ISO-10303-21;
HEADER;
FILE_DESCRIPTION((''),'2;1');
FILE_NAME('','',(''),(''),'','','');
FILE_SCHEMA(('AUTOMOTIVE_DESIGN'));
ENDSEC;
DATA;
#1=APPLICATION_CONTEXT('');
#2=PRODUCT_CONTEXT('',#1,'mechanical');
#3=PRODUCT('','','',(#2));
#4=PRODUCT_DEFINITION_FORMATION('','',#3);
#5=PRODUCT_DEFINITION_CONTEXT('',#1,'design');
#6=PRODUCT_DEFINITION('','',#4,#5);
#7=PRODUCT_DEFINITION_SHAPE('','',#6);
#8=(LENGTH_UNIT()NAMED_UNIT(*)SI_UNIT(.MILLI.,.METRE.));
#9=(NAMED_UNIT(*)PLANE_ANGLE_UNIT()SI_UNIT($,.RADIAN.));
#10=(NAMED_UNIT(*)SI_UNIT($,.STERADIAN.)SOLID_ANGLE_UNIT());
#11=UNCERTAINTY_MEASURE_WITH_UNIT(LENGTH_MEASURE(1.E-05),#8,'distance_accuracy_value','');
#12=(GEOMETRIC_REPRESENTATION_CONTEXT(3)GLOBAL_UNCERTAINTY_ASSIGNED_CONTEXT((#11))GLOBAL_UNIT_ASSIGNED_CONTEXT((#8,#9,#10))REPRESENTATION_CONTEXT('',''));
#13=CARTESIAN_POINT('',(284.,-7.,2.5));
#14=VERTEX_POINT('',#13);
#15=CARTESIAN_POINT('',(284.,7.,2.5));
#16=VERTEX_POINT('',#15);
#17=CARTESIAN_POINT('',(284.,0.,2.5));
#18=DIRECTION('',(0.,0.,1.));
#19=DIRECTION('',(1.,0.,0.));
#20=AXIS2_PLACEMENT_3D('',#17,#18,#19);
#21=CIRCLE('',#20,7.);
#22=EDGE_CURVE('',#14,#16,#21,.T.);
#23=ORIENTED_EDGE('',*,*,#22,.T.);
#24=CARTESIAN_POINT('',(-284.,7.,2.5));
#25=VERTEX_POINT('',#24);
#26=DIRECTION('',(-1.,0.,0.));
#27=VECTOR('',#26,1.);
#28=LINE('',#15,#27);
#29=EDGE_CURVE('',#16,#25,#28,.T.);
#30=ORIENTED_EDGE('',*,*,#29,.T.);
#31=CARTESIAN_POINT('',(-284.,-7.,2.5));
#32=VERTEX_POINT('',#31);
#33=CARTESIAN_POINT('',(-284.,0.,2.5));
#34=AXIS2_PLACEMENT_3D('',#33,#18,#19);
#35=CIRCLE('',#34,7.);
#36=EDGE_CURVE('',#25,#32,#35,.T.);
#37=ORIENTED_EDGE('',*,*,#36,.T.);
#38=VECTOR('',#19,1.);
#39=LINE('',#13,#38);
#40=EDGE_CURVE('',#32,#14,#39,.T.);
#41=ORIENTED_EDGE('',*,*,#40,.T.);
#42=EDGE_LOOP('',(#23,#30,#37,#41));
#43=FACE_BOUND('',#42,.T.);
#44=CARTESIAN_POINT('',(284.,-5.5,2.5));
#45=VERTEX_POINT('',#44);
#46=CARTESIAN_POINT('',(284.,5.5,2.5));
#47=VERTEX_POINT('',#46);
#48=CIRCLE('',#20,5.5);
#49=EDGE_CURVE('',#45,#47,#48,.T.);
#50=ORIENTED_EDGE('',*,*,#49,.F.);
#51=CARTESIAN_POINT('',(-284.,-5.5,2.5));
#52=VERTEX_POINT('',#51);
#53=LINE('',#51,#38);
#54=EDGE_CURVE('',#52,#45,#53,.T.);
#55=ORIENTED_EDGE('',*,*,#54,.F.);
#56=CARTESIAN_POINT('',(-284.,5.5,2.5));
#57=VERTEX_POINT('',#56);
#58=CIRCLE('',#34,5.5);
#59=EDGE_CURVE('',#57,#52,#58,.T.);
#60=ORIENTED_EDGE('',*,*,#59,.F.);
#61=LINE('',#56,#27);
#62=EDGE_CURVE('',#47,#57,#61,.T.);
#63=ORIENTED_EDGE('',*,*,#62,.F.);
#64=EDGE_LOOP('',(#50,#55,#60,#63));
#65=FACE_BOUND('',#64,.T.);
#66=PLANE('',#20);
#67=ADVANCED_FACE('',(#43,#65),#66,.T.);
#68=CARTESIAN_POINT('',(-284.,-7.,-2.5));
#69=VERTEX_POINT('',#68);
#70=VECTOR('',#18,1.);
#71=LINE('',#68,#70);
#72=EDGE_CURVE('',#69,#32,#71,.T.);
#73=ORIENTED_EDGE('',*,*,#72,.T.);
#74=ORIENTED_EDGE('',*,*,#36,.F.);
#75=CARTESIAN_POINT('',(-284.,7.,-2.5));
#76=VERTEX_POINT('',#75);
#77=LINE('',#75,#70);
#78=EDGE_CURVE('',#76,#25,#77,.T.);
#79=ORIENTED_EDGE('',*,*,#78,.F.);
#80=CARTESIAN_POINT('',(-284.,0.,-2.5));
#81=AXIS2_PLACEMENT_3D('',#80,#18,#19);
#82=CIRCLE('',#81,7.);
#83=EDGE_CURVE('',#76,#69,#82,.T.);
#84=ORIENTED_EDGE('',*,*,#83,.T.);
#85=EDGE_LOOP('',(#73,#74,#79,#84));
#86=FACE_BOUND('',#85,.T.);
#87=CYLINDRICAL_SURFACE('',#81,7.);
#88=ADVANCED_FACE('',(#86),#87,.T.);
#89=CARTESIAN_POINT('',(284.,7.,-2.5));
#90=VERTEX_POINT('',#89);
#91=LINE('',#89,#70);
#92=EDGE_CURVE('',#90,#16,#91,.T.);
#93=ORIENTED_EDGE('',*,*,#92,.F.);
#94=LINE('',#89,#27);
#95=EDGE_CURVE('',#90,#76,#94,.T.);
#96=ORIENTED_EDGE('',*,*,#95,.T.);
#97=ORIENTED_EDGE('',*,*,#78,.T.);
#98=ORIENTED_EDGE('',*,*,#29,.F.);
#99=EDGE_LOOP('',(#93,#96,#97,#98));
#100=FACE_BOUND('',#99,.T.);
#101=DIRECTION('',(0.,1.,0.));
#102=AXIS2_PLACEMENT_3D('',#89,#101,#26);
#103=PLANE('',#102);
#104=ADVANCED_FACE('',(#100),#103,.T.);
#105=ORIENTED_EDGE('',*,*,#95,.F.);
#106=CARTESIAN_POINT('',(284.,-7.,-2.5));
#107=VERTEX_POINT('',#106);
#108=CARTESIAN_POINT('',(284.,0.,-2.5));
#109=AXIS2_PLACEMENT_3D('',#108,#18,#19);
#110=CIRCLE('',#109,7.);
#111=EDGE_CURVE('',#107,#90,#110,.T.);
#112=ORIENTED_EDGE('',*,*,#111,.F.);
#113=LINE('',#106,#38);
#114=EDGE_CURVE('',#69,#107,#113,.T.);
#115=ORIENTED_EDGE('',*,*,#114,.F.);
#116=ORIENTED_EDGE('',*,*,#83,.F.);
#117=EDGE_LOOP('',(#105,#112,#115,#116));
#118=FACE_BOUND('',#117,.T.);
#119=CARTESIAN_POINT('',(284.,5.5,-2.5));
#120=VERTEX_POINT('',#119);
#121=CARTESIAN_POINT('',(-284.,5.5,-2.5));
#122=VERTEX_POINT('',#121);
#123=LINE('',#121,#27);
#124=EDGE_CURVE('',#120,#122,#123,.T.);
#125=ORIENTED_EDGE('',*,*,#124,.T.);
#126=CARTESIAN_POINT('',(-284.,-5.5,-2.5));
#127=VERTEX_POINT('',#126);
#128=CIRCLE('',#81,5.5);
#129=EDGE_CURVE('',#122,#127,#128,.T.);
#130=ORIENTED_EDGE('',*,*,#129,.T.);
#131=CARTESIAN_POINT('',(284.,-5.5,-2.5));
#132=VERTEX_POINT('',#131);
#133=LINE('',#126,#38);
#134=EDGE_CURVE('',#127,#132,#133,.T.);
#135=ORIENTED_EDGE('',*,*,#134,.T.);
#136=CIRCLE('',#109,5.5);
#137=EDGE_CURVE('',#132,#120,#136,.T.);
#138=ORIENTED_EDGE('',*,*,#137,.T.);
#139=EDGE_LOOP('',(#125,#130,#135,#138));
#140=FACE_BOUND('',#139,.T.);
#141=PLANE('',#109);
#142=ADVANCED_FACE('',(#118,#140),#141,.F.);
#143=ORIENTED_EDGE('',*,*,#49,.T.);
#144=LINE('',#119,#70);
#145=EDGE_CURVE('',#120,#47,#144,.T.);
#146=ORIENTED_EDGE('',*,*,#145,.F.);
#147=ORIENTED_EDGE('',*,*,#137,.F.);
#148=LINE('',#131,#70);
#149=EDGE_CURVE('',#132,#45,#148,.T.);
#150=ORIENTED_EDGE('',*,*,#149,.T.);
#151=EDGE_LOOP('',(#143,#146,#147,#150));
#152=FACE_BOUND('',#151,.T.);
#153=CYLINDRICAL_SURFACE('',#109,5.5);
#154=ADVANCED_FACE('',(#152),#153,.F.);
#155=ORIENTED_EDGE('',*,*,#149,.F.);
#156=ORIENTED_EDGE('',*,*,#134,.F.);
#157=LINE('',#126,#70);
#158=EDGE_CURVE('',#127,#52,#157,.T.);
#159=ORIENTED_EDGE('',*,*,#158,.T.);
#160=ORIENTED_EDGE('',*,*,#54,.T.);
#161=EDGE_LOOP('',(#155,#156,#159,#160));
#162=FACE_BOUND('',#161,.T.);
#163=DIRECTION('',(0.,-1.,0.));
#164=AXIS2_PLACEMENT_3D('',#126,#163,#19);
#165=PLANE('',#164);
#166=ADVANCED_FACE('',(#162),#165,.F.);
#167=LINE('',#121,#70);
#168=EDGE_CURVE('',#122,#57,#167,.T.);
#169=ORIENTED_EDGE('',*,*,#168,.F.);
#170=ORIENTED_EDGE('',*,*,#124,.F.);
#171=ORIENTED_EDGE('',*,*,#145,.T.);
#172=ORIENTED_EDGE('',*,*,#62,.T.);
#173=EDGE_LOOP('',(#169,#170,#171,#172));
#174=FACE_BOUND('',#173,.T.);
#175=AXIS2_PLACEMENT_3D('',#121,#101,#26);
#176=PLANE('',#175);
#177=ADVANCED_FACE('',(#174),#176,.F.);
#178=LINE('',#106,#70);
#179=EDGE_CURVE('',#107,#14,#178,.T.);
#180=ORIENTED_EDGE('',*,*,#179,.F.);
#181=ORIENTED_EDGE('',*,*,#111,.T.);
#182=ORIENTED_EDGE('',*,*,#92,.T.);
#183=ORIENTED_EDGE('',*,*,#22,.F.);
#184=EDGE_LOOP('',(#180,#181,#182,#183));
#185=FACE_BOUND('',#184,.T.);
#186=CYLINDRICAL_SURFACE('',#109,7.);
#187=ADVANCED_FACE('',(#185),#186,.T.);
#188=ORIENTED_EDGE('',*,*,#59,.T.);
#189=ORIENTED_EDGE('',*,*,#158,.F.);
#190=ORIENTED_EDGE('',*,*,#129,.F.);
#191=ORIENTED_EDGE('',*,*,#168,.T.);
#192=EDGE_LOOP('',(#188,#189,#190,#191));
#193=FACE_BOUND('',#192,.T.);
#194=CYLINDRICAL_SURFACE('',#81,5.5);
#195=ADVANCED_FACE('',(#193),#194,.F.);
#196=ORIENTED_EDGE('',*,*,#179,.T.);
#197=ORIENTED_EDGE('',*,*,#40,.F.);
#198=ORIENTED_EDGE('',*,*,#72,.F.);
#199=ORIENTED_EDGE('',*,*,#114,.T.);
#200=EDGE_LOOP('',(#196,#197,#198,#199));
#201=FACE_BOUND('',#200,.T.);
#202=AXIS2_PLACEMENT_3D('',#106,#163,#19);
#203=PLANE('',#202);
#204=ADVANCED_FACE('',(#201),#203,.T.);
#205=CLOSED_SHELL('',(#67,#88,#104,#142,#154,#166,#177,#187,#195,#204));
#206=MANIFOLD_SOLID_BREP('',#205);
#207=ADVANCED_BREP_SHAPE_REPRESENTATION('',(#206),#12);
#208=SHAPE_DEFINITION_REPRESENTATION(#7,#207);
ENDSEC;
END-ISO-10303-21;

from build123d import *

# Parameters (mm, degrees)
BOSS_EXTRU_1_DEPTH      = 2.5
BOSS_EXTRU_1_DEPTH_BACK = 2.5


with BuildPart() as part:
    # Esquisse1 → Boss.-Extru.1 (new, two sides: drawn at the far end of the back side and taken through both)
    with BuildSketch(Plane.XY.offset(-BOSS_EXTRU_1_DEPTH_BACK)):
        with BuildLine():
            Line((284, -7), (-284, -7))
            ThreePointArc((-284, -7), (-291, 0), (-284, 7))
            Line((-284, 7), (284, 7))
            ThreePointArc((284, 7), (291, 0), (284, -7))
        make_face()
        with BuildLine():
            Line((-284, 5.5), (284, 5.5))
            ThreePointArc((284, 5.5), (289.5, 0), (284, -5.5))
            Line((284, -5.5), (-284, -5.5))
            ThreePointArc((-284, -5.5), (-289.5, 0), (-284, 5.5))
        make_face(mode=Mode.SUBTRACT)
    extrude(amount=BOSS_EXTRU_1_DEPTH + BOSS_EXTRU_1_DEPTH_BACK)


solid = part.part
